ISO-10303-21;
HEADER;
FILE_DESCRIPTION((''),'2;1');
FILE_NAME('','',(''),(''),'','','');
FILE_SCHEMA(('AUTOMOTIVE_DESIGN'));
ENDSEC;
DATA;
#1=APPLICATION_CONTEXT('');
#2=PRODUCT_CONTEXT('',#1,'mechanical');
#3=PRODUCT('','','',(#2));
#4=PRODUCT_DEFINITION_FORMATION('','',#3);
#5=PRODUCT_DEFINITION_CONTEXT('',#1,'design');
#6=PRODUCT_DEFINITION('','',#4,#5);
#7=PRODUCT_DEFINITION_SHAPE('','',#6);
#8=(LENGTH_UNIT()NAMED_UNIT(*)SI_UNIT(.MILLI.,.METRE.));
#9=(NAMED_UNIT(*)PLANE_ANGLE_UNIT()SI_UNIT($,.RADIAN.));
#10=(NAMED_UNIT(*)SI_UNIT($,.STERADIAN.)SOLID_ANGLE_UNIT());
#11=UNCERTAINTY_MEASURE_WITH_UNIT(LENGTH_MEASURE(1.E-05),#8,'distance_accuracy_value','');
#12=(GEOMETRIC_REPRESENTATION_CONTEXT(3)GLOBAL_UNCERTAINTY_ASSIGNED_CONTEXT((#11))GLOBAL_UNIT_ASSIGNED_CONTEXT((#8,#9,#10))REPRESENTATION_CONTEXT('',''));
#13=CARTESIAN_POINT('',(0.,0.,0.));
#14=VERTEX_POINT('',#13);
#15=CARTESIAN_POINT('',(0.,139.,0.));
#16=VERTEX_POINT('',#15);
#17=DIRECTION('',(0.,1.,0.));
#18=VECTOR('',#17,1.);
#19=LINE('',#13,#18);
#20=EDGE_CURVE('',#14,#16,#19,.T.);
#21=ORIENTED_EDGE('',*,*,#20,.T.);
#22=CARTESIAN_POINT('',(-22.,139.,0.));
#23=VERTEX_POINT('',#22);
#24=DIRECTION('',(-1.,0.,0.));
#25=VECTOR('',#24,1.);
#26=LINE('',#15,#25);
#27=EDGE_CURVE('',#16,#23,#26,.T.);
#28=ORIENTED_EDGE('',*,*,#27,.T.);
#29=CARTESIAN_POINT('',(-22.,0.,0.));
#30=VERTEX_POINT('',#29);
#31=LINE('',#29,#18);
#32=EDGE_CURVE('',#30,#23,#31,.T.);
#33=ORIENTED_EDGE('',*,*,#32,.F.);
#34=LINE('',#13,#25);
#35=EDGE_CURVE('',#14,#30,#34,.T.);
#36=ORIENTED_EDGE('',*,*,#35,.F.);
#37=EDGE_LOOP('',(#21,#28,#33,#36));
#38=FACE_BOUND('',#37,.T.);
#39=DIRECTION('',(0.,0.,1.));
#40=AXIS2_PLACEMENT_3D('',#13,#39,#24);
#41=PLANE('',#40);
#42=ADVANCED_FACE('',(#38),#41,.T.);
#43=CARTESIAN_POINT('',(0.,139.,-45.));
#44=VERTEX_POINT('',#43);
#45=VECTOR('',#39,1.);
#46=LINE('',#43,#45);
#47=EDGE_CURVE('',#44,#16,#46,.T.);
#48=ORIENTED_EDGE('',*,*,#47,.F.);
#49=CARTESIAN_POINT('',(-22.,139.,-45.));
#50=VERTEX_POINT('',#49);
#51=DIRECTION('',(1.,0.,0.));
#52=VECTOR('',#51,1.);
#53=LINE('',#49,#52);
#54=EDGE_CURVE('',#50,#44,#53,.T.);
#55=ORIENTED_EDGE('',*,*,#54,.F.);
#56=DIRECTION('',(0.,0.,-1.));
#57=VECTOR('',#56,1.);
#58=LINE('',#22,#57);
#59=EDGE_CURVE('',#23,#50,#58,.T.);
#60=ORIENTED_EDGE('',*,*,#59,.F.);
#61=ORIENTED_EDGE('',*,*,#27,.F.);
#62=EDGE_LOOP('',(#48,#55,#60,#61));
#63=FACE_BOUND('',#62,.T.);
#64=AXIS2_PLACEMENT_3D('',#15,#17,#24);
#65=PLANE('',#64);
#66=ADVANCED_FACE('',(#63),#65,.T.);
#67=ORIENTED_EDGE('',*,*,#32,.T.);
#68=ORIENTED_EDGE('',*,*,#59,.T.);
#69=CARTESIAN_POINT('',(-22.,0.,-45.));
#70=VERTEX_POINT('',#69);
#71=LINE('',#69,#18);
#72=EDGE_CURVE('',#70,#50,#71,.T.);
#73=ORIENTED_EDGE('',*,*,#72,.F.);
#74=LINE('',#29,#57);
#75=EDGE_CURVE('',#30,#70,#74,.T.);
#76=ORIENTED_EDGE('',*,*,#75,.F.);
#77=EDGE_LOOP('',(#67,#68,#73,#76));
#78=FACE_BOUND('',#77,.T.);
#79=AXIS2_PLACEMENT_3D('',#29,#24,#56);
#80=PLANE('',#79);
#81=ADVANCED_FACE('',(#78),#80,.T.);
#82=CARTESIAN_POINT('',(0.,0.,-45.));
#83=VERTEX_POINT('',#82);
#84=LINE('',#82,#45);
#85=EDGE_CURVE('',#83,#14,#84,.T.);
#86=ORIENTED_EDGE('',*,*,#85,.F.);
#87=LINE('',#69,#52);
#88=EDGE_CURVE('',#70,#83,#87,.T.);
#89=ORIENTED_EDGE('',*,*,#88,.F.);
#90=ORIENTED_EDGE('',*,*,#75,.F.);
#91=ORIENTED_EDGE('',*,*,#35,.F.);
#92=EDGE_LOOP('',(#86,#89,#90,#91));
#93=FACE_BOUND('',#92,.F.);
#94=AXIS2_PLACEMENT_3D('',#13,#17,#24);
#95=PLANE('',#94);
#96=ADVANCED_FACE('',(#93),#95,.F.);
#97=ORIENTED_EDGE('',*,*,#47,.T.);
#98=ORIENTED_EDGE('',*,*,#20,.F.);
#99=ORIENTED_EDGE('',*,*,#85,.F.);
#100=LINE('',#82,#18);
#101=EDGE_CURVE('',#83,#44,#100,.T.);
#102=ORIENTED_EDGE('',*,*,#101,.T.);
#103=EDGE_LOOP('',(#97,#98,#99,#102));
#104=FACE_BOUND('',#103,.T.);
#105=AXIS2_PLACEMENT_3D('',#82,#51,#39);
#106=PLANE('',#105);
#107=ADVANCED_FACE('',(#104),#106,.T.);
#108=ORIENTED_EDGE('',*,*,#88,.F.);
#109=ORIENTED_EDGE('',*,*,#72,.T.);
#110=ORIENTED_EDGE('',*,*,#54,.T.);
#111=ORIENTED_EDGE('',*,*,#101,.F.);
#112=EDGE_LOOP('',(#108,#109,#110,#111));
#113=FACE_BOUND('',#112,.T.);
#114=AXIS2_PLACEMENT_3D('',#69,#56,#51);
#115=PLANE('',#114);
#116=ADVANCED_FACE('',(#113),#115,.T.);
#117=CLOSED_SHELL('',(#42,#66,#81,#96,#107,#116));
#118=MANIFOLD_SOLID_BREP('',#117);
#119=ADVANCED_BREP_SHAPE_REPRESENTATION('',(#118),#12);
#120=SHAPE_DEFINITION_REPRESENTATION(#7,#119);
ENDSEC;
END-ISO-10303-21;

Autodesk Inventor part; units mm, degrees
ref_plane "YZ Plane" through (0, 0, 0) normal (1, 0, 0) x (0, 1, 0)
ref_plane "XZ Plane" through (0, 0, 0) normal (0, 1, 0) x (-1, 0, 0)
ref_plane "XY Plane" through (0, 0, 0) normal (0, 0, 1) x (1, 0, 0)
sketch "Sketch1" plane through (0, 0, 0) normal (0, 1, 0) x (-1, 0, 0)
  line L0 (0, 0) -> (22, 0)
  line L1 (22, 0) -> (22, -45)
  line L2 (22, -45) -> (0, -45)
  line L3 (0, -45) -> (0, 0)
  dimension "d0" = 45
  dimension "d1" = 22
extrude "Extrusion1" add sketch "Sketch1" along normal blind 139
properties part number "akksi2"
